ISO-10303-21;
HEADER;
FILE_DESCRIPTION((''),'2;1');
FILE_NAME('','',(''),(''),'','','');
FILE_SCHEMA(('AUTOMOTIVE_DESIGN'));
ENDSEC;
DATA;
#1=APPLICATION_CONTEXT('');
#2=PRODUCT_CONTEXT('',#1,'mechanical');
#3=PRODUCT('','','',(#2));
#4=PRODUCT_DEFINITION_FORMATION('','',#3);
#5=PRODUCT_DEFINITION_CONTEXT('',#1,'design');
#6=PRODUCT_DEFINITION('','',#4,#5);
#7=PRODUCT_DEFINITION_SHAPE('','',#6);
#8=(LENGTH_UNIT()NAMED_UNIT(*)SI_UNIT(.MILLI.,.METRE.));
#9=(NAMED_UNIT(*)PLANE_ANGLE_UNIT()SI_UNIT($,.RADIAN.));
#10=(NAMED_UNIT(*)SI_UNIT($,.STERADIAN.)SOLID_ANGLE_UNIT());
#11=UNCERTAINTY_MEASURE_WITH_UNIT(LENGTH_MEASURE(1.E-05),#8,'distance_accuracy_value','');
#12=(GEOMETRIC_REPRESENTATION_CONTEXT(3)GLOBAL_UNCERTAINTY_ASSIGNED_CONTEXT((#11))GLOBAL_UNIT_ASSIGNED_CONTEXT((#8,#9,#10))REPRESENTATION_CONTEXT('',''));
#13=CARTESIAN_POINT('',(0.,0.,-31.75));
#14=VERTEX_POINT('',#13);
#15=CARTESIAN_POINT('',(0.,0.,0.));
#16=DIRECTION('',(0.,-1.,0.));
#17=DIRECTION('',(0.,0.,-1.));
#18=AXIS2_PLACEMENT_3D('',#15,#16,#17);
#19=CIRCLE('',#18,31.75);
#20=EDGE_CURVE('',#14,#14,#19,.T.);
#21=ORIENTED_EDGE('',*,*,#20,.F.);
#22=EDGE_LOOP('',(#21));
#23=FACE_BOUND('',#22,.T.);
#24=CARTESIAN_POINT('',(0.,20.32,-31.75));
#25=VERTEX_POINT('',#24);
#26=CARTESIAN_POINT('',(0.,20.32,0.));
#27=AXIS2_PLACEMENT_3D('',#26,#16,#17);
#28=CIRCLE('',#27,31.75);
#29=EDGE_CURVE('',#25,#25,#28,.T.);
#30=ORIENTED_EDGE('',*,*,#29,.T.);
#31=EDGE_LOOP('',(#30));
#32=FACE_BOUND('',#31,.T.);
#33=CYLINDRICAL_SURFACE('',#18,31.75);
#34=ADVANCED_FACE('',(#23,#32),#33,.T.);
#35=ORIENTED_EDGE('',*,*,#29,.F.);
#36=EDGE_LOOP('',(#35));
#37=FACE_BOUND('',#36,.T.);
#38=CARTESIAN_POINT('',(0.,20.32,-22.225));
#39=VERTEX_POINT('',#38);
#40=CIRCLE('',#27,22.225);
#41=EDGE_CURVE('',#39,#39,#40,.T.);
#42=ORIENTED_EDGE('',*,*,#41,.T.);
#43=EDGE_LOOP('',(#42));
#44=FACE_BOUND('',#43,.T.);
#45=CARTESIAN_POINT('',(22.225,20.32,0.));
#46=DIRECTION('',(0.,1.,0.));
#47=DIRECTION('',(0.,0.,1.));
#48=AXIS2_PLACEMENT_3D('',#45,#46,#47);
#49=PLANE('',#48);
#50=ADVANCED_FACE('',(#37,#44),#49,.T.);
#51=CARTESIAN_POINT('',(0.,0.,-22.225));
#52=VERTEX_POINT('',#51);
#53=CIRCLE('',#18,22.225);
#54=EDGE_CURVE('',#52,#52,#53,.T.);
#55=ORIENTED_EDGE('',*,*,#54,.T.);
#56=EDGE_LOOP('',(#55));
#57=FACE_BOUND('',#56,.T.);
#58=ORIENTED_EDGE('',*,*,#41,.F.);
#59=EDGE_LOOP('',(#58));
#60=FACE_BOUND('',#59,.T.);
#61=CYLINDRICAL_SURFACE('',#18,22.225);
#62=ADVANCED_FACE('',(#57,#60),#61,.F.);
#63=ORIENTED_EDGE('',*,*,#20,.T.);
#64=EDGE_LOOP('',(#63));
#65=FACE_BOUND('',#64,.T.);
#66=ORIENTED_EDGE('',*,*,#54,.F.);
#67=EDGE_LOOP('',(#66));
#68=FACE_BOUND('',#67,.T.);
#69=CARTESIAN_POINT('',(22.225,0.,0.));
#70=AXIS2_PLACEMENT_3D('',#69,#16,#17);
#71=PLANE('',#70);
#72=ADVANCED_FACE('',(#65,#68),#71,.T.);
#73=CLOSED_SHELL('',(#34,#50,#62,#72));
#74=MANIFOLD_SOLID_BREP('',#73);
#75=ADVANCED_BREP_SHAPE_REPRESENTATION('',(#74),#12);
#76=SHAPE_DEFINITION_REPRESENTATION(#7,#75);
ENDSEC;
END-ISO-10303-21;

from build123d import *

# Parameters (mm, degrees)
SKETCH1_W = 9.525
SKETCH1_H = 20.32


with BuildPart() as part:
    # Sketch1 → Revolve1 (revolve)
    with BuildSketch(Plane.XY, mode=Mode.PRIVATE) as revolve1_sk:
        with Locations((26.9875, 10.16)):
            Rectangle(SKETCH1_W, SKETCH1_H)
    revolve(revolve1_sk.sketch.rotate(Axis((0, 0, 0), (0, 1, 0)), 90), axis=Axis((0, 0, 0), (0, 1, 0)))


solid = part.part
